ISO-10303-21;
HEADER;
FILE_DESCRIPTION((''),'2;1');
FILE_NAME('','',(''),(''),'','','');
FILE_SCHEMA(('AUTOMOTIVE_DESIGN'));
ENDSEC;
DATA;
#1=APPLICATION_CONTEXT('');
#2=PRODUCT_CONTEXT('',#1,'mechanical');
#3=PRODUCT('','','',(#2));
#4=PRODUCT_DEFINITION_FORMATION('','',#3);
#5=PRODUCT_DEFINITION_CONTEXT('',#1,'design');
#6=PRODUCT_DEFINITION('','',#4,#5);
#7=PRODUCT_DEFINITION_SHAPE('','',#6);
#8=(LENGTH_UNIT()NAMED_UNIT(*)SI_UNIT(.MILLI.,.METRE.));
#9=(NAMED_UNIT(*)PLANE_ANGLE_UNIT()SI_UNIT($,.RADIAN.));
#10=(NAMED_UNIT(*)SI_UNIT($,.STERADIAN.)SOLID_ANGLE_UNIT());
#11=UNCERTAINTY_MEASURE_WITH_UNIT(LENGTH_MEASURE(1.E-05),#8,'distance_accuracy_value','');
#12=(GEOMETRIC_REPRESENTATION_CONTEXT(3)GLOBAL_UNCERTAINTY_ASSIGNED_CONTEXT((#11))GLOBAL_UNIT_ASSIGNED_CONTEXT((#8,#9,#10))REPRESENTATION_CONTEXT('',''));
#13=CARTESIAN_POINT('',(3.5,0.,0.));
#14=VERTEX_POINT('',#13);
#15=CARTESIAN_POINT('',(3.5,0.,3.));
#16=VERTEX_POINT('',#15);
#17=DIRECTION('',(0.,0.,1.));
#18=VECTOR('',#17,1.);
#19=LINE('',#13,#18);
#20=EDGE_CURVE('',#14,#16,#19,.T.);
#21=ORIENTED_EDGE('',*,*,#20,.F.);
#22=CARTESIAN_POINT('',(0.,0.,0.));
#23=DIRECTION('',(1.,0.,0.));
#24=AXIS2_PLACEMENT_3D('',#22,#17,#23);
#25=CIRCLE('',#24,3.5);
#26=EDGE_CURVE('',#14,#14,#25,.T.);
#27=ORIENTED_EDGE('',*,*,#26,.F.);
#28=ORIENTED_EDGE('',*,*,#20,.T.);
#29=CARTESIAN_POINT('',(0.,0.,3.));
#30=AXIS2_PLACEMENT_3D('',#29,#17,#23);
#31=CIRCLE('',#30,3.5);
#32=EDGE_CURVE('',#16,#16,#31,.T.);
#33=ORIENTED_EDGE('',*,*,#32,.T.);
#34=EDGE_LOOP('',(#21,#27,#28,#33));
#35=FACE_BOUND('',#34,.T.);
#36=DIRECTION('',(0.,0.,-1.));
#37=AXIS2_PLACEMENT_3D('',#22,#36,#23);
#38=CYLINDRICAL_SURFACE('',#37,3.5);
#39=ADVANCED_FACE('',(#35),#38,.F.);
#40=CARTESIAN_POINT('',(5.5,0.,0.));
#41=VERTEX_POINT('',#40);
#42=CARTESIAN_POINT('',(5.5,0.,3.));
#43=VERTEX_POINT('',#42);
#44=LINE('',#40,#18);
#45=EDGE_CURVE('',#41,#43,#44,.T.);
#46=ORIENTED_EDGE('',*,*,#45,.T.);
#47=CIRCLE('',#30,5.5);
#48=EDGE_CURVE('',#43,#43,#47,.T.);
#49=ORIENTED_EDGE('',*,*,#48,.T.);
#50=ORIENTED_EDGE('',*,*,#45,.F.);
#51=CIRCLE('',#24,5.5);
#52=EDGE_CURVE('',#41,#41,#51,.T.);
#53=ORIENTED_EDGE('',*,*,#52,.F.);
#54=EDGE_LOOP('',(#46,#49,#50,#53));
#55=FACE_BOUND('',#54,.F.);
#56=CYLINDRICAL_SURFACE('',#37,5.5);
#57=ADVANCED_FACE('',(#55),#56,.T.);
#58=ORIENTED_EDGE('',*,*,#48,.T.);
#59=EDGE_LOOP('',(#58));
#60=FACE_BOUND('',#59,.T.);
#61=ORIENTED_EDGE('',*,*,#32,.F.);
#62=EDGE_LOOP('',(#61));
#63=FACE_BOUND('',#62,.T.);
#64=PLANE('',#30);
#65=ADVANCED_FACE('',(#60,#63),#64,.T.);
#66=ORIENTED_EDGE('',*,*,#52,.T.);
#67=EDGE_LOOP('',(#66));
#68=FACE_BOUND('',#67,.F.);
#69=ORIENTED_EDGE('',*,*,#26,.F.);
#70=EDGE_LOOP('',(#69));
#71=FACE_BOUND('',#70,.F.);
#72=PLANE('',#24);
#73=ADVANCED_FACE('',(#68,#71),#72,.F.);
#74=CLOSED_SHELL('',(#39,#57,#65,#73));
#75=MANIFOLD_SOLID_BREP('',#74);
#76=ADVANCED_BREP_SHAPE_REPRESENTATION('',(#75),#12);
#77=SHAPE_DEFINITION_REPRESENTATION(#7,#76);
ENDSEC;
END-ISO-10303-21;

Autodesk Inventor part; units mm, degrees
ref_plane "YZ Plane" through (0, 0, 0) normal (1, 0, 0) x (0, 1, 0)
ref_plane "XZ Plane" through (0, 0, 0) normal (0, 1, 0) x (-1, 0, 0)
sketch "Sketch1" plane through (0, 0, 0) normal (0, 0, 1) x (1, 0, 0)
  circle A0 centre (0, 0) radius 5.5
  circle A1 centre (0, 0) radius 3.5
  dimension "d0" = 11
  dimension "d5" = 7
ref_plane "Work Plane1" through (-7, -3.5, 6) normal (0, 0, 1) x (1, 0, 0)
extrude "Extrusion2" add sketch "Sketch1" along normal blind 3
properties part number "big_bearing" material "Steel, Alloy"
